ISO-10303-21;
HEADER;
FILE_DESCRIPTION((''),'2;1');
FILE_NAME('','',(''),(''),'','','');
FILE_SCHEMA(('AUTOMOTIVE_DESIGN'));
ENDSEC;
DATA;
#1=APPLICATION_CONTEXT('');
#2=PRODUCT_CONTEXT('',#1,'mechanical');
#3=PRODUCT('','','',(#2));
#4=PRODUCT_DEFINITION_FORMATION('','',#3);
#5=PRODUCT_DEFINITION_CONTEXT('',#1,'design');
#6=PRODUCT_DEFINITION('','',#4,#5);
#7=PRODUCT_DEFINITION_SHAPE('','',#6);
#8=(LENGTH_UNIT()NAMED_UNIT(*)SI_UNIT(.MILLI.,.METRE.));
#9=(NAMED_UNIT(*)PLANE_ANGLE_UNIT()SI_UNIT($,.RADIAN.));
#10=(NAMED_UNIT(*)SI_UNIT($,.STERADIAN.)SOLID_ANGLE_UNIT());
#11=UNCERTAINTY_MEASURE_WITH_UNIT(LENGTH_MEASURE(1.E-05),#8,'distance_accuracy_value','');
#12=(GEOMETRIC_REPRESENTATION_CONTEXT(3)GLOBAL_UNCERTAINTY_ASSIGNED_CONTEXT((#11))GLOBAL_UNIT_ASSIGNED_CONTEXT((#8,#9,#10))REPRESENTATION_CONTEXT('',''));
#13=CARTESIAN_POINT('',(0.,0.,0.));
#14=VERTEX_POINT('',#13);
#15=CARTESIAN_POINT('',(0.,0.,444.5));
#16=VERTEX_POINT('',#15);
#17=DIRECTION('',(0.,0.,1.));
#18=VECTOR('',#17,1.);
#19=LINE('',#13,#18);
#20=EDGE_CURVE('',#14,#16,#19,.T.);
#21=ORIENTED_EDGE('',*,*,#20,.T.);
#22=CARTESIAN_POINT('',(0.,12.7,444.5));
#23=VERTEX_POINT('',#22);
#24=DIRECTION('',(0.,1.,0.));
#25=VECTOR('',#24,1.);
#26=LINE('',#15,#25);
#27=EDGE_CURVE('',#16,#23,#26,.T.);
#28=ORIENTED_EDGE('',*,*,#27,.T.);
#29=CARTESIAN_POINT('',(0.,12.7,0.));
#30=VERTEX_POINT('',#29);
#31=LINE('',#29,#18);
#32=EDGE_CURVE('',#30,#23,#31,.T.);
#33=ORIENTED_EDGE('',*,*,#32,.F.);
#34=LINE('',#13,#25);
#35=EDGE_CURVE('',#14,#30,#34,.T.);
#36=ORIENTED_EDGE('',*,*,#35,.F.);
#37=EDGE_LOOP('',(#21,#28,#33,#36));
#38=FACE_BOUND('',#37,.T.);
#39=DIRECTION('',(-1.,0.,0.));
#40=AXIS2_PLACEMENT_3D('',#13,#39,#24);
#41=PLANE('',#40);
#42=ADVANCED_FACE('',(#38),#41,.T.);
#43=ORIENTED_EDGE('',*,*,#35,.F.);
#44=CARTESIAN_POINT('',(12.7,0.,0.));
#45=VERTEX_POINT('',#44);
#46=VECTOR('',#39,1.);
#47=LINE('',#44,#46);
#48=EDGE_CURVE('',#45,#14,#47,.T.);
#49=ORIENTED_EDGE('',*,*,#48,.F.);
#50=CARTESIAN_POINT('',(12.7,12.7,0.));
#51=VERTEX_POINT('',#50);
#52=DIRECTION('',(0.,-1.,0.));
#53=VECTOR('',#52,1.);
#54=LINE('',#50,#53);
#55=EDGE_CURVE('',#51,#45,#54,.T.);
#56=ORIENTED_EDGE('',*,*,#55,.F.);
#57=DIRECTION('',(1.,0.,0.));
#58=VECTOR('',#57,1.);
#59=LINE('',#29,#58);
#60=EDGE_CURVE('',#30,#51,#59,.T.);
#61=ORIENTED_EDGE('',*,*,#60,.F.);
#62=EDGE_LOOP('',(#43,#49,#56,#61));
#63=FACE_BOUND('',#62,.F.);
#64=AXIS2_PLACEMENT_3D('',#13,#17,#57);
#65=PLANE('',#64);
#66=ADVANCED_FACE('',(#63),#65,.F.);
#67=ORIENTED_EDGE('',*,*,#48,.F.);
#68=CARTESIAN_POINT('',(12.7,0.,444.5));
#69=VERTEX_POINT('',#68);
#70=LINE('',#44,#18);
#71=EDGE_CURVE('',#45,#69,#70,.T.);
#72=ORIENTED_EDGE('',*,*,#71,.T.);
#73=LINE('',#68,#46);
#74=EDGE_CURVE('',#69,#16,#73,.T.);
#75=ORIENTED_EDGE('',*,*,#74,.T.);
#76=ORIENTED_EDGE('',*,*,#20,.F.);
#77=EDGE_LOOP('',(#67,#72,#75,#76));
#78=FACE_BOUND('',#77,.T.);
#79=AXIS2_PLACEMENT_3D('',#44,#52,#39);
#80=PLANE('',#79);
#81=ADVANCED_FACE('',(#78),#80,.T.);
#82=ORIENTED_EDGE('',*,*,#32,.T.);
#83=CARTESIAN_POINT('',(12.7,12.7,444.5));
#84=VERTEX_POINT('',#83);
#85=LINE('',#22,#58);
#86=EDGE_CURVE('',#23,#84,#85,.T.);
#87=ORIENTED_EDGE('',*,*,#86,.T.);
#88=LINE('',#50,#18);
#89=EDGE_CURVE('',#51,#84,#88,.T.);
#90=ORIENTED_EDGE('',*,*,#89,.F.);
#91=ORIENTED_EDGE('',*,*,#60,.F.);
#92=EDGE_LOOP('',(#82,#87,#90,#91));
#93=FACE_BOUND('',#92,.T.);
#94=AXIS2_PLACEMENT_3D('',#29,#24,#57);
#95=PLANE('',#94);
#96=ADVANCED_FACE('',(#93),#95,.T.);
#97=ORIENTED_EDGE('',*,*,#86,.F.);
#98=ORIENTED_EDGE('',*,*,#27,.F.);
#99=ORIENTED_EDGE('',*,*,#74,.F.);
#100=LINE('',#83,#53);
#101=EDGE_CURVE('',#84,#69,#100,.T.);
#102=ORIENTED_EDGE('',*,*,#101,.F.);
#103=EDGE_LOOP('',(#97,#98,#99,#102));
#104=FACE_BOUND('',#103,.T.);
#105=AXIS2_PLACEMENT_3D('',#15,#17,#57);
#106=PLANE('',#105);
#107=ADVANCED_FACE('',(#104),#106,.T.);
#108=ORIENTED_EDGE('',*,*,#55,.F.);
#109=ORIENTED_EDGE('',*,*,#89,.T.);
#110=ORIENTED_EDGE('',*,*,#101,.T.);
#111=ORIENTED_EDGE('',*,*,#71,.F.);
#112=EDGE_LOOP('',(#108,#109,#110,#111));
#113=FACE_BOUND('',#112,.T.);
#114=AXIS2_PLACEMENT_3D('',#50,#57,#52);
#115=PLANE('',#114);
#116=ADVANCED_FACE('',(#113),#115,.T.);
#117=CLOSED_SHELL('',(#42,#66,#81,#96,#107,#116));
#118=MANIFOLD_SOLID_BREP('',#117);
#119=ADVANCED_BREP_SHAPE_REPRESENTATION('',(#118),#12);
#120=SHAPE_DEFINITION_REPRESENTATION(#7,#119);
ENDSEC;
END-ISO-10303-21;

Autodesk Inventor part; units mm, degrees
ref_plane "YZ Plane" through (0, 0, 0) normal (1, 0, 0) x (0, 1, 0)
ref_plane "XZ Plane" through (0, 0, 0) normal (0, 1, 0) x (-1, 0, 0)
ref_plane "XY Plane" through (0, 0, 0) normal (0, 0, 1) x (1, 0, 0)
sketch "Sketch1" plane through (0, 0, 0) normal (0, 0, 1) x (1, 0, 0)
  line L0 (0, 12.7) -> (12.7, 12.7)
  line L1 (12.7, 12.7) -> (12.7, 0)
  line L2 (12.7, 0) -> (0, 0)
  line L3 (0, 0) -> (0, 12.7)
  dimension "d0" = 12.7
  dimension "d1" = 12.7
extrude "Extrusion1" add sketch "Sketch1" along normal blind 444.5
properties part number "Drawer sides" material "Wood (Cherry)"
